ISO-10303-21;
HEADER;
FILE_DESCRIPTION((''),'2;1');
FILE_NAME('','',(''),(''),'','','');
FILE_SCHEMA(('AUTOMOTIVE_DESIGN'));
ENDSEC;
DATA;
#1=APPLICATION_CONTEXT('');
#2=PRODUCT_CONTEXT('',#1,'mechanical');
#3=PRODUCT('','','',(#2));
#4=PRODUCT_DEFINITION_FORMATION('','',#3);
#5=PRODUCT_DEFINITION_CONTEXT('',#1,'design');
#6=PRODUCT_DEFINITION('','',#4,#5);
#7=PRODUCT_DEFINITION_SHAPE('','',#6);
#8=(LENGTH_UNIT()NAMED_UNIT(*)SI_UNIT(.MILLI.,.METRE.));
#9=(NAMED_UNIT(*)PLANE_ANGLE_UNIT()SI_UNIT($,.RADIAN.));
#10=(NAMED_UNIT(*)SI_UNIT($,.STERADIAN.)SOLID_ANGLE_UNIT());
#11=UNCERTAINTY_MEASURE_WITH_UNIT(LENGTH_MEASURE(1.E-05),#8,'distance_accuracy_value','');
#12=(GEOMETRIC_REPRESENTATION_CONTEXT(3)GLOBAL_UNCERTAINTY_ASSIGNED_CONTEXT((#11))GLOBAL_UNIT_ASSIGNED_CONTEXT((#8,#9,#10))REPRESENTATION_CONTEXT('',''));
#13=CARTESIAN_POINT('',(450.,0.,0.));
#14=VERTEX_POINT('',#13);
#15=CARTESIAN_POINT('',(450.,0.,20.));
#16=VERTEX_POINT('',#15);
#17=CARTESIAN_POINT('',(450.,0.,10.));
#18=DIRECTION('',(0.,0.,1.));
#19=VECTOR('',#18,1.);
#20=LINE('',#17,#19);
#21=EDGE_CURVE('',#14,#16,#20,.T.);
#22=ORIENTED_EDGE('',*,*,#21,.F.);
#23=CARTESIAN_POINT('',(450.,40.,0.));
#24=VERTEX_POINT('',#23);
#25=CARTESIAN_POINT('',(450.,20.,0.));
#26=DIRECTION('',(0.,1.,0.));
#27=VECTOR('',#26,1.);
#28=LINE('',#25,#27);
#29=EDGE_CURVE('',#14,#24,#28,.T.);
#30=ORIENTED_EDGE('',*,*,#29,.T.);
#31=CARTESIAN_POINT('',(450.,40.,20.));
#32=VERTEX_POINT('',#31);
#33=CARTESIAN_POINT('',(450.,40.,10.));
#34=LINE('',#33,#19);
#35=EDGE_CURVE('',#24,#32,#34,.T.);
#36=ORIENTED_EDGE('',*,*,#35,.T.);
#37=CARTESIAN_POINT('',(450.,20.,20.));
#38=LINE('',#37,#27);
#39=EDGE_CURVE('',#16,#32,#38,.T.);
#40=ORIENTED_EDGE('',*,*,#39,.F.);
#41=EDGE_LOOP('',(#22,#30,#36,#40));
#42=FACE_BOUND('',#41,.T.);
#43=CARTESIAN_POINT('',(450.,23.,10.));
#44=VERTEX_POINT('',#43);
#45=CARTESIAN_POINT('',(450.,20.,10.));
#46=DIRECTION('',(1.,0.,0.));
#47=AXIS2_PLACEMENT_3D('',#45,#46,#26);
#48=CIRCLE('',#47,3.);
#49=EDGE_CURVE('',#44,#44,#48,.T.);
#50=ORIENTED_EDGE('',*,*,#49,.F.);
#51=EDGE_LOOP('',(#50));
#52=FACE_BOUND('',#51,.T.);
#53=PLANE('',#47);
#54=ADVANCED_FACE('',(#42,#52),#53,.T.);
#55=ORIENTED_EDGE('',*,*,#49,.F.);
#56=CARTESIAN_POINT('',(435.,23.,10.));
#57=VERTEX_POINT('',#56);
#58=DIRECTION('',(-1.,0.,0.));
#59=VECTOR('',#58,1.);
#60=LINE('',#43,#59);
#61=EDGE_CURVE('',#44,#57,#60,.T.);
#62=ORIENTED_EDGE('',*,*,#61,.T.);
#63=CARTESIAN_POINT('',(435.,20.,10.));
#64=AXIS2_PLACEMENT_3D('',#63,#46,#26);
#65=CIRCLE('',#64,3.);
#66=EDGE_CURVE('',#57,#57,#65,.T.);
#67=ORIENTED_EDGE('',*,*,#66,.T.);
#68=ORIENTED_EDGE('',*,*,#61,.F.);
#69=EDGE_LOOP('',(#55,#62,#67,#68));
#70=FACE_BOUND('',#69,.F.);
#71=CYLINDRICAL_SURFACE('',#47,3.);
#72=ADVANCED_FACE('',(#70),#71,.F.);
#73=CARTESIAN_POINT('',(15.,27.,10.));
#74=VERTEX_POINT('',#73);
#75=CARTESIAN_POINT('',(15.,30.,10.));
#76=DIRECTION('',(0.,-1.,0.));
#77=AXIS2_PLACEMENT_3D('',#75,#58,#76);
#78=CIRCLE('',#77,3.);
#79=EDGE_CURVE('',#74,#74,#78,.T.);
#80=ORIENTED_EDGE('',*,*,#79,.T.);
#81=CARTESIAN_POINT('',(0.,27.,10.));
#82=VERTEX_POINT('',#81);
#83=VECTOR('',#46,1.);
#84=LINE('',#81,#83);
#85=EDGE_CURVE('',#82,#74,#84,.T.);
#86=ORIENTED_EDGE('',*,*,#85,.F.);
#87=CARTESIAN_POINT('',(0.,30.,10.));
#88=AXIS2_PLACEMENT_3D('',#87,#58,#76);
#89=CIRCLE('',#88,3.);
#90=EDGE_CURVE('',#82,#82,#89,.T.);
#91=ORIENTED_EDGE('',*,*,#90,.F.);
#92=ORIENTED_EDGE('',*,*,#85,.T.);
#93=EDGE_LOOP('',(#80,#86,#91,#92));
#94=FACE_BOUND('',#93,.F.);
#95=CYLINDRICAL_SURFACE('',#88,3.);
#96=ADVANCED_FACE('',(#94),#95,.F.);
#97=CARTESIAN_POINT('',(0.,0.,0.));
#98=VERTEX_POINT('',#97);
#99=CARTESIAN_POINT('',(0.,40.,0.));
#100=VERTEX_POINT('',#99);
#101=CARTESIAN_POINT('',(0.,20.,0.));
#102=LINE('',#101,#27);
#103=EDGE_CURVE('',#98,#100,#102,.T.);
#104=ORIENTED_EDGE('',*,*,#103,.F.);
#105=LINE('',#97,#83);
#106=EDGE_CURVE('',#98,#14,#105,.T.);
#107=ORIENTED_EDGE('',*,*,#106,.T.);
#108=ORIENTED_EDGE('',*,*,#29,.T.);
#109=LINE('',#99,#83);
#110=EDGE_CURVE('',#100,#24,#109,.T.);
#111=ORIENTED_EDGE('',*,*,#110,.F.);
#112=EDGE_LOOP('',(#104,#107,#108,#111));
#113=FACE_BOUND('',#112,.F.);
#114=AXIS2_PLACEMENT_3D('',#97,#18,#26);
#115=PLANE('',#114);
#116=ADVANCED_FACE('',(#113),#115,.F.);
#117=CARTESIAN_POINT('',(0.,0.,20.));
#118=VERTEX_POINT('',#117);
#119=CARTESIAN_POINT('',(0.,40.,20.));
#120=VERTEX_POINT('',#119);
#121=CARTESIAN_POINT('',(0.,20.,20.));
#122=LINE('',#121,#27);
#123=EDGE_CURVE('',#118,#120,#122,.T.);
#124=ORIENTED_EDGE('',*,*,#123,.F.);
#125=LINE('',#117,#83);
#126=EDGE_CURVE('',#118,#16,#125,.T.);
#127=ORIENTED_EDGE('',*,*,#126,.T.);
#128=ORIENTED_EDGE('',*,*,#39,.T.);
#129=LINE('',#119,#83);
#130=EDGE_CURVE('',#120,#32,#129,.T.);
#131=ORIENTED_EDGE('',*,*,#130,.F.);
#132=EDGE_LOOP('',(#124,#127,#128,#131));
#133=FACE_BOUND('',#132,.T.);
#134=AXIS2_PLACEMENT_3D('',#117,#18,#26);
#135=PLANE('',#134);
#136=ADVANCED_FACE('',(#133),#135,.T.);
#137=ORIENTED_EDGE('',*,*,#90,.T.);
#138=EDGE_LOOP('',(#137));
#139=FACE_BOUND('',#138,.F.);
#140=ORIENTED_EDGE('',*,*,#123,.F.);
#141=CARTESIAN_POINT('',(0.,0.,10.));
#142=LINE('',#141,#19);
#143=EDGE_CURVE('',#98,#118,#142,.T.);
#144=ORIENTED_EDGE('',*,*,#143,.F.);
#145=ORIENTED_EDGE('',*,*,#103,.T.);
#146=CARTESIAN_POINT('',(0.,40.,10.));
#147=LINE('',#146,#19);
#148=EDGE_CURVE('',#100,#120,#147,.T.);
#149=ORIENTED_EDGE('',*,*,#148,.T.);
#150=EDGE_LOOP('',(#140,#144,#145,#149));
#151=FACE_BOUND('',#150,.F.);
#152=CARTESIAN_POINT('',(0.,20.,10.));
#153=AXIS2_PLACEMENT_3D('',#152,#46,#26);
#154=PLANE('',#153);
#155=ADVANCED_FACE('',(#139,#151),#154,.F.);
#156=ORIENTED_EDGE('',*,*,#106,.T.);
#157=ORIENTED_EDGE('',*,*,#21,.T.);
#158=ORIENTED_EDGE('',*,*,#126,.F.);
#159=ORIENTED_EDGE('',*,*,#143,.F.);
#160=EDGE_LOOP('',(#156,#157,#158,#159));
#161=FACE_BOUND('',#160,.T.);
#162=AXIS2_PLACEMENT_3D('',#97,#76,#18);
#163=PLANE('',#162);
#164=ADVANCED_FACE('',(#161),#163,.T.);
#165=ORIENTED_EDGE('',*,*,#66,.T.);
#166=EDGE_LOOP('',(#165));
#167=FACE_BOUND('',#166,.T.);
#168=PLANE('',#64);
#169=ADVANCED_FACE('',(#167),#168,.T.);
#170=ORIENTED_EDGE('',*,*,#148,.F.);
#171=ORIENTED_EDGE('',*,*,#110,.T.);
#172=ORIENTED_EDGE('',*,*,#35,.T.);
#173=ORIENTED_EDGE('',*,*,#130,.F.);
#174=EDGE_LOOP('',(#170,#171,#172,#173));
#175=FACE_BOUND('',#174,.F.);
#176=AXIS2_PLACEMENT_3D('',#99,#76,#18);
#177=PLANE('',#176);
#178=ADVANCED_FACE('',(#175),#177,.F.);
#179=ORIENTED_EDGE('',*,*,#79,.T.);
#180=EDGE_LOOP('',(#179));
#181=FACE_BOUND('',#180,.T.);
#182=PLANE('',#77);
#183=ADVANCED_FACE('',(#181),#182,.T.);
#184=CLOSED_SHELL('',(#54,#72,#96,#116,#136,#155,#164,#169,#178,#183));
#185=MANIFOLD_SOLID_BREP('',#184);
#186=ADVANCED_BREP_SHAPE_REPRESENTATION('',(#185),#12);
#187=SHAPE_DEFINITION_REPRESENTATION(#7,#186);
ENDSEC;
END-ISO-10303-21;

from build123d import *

# Parameters (mm, degrees)
F0_W     = 40
F0_H     = 20
F1_DEPTH = 450
F2_R     = 3
F3_DEPTH = 15
F4_R     = 3
F5_DEPTH = 15


with BuildPart() as f1:
    # F0 (on Right) → F1 (new body)
    with BuildSketch(Plane.YZ):
        with Locations((20, 10)):
            Rectangle(F0_W, F0_H)
    extrude(amount=F1_DEPTH)

    # F2 (on face) → F3 (cut)
    with BuildSketch(Plane.YZ.offset(450)):
        with Locations((20, 10)):
            Circle(F2_R)
    extrude(amount=-F3_DEPTH, mode=Mode.SUBTRACT)

    # F4 (on face) → F5 (cut)
    with BuildSketch(Plane(origin=(0, 0, 0), x_dir=(0, -1, 0), z_dir=(-1, 0, 0))):
        with Locations((-30, 10)):
            Circle(F4_R)
    extrude(amount=-F5_DEPTH, mode=Mode.SUBTRACT)


solid = f1.part
